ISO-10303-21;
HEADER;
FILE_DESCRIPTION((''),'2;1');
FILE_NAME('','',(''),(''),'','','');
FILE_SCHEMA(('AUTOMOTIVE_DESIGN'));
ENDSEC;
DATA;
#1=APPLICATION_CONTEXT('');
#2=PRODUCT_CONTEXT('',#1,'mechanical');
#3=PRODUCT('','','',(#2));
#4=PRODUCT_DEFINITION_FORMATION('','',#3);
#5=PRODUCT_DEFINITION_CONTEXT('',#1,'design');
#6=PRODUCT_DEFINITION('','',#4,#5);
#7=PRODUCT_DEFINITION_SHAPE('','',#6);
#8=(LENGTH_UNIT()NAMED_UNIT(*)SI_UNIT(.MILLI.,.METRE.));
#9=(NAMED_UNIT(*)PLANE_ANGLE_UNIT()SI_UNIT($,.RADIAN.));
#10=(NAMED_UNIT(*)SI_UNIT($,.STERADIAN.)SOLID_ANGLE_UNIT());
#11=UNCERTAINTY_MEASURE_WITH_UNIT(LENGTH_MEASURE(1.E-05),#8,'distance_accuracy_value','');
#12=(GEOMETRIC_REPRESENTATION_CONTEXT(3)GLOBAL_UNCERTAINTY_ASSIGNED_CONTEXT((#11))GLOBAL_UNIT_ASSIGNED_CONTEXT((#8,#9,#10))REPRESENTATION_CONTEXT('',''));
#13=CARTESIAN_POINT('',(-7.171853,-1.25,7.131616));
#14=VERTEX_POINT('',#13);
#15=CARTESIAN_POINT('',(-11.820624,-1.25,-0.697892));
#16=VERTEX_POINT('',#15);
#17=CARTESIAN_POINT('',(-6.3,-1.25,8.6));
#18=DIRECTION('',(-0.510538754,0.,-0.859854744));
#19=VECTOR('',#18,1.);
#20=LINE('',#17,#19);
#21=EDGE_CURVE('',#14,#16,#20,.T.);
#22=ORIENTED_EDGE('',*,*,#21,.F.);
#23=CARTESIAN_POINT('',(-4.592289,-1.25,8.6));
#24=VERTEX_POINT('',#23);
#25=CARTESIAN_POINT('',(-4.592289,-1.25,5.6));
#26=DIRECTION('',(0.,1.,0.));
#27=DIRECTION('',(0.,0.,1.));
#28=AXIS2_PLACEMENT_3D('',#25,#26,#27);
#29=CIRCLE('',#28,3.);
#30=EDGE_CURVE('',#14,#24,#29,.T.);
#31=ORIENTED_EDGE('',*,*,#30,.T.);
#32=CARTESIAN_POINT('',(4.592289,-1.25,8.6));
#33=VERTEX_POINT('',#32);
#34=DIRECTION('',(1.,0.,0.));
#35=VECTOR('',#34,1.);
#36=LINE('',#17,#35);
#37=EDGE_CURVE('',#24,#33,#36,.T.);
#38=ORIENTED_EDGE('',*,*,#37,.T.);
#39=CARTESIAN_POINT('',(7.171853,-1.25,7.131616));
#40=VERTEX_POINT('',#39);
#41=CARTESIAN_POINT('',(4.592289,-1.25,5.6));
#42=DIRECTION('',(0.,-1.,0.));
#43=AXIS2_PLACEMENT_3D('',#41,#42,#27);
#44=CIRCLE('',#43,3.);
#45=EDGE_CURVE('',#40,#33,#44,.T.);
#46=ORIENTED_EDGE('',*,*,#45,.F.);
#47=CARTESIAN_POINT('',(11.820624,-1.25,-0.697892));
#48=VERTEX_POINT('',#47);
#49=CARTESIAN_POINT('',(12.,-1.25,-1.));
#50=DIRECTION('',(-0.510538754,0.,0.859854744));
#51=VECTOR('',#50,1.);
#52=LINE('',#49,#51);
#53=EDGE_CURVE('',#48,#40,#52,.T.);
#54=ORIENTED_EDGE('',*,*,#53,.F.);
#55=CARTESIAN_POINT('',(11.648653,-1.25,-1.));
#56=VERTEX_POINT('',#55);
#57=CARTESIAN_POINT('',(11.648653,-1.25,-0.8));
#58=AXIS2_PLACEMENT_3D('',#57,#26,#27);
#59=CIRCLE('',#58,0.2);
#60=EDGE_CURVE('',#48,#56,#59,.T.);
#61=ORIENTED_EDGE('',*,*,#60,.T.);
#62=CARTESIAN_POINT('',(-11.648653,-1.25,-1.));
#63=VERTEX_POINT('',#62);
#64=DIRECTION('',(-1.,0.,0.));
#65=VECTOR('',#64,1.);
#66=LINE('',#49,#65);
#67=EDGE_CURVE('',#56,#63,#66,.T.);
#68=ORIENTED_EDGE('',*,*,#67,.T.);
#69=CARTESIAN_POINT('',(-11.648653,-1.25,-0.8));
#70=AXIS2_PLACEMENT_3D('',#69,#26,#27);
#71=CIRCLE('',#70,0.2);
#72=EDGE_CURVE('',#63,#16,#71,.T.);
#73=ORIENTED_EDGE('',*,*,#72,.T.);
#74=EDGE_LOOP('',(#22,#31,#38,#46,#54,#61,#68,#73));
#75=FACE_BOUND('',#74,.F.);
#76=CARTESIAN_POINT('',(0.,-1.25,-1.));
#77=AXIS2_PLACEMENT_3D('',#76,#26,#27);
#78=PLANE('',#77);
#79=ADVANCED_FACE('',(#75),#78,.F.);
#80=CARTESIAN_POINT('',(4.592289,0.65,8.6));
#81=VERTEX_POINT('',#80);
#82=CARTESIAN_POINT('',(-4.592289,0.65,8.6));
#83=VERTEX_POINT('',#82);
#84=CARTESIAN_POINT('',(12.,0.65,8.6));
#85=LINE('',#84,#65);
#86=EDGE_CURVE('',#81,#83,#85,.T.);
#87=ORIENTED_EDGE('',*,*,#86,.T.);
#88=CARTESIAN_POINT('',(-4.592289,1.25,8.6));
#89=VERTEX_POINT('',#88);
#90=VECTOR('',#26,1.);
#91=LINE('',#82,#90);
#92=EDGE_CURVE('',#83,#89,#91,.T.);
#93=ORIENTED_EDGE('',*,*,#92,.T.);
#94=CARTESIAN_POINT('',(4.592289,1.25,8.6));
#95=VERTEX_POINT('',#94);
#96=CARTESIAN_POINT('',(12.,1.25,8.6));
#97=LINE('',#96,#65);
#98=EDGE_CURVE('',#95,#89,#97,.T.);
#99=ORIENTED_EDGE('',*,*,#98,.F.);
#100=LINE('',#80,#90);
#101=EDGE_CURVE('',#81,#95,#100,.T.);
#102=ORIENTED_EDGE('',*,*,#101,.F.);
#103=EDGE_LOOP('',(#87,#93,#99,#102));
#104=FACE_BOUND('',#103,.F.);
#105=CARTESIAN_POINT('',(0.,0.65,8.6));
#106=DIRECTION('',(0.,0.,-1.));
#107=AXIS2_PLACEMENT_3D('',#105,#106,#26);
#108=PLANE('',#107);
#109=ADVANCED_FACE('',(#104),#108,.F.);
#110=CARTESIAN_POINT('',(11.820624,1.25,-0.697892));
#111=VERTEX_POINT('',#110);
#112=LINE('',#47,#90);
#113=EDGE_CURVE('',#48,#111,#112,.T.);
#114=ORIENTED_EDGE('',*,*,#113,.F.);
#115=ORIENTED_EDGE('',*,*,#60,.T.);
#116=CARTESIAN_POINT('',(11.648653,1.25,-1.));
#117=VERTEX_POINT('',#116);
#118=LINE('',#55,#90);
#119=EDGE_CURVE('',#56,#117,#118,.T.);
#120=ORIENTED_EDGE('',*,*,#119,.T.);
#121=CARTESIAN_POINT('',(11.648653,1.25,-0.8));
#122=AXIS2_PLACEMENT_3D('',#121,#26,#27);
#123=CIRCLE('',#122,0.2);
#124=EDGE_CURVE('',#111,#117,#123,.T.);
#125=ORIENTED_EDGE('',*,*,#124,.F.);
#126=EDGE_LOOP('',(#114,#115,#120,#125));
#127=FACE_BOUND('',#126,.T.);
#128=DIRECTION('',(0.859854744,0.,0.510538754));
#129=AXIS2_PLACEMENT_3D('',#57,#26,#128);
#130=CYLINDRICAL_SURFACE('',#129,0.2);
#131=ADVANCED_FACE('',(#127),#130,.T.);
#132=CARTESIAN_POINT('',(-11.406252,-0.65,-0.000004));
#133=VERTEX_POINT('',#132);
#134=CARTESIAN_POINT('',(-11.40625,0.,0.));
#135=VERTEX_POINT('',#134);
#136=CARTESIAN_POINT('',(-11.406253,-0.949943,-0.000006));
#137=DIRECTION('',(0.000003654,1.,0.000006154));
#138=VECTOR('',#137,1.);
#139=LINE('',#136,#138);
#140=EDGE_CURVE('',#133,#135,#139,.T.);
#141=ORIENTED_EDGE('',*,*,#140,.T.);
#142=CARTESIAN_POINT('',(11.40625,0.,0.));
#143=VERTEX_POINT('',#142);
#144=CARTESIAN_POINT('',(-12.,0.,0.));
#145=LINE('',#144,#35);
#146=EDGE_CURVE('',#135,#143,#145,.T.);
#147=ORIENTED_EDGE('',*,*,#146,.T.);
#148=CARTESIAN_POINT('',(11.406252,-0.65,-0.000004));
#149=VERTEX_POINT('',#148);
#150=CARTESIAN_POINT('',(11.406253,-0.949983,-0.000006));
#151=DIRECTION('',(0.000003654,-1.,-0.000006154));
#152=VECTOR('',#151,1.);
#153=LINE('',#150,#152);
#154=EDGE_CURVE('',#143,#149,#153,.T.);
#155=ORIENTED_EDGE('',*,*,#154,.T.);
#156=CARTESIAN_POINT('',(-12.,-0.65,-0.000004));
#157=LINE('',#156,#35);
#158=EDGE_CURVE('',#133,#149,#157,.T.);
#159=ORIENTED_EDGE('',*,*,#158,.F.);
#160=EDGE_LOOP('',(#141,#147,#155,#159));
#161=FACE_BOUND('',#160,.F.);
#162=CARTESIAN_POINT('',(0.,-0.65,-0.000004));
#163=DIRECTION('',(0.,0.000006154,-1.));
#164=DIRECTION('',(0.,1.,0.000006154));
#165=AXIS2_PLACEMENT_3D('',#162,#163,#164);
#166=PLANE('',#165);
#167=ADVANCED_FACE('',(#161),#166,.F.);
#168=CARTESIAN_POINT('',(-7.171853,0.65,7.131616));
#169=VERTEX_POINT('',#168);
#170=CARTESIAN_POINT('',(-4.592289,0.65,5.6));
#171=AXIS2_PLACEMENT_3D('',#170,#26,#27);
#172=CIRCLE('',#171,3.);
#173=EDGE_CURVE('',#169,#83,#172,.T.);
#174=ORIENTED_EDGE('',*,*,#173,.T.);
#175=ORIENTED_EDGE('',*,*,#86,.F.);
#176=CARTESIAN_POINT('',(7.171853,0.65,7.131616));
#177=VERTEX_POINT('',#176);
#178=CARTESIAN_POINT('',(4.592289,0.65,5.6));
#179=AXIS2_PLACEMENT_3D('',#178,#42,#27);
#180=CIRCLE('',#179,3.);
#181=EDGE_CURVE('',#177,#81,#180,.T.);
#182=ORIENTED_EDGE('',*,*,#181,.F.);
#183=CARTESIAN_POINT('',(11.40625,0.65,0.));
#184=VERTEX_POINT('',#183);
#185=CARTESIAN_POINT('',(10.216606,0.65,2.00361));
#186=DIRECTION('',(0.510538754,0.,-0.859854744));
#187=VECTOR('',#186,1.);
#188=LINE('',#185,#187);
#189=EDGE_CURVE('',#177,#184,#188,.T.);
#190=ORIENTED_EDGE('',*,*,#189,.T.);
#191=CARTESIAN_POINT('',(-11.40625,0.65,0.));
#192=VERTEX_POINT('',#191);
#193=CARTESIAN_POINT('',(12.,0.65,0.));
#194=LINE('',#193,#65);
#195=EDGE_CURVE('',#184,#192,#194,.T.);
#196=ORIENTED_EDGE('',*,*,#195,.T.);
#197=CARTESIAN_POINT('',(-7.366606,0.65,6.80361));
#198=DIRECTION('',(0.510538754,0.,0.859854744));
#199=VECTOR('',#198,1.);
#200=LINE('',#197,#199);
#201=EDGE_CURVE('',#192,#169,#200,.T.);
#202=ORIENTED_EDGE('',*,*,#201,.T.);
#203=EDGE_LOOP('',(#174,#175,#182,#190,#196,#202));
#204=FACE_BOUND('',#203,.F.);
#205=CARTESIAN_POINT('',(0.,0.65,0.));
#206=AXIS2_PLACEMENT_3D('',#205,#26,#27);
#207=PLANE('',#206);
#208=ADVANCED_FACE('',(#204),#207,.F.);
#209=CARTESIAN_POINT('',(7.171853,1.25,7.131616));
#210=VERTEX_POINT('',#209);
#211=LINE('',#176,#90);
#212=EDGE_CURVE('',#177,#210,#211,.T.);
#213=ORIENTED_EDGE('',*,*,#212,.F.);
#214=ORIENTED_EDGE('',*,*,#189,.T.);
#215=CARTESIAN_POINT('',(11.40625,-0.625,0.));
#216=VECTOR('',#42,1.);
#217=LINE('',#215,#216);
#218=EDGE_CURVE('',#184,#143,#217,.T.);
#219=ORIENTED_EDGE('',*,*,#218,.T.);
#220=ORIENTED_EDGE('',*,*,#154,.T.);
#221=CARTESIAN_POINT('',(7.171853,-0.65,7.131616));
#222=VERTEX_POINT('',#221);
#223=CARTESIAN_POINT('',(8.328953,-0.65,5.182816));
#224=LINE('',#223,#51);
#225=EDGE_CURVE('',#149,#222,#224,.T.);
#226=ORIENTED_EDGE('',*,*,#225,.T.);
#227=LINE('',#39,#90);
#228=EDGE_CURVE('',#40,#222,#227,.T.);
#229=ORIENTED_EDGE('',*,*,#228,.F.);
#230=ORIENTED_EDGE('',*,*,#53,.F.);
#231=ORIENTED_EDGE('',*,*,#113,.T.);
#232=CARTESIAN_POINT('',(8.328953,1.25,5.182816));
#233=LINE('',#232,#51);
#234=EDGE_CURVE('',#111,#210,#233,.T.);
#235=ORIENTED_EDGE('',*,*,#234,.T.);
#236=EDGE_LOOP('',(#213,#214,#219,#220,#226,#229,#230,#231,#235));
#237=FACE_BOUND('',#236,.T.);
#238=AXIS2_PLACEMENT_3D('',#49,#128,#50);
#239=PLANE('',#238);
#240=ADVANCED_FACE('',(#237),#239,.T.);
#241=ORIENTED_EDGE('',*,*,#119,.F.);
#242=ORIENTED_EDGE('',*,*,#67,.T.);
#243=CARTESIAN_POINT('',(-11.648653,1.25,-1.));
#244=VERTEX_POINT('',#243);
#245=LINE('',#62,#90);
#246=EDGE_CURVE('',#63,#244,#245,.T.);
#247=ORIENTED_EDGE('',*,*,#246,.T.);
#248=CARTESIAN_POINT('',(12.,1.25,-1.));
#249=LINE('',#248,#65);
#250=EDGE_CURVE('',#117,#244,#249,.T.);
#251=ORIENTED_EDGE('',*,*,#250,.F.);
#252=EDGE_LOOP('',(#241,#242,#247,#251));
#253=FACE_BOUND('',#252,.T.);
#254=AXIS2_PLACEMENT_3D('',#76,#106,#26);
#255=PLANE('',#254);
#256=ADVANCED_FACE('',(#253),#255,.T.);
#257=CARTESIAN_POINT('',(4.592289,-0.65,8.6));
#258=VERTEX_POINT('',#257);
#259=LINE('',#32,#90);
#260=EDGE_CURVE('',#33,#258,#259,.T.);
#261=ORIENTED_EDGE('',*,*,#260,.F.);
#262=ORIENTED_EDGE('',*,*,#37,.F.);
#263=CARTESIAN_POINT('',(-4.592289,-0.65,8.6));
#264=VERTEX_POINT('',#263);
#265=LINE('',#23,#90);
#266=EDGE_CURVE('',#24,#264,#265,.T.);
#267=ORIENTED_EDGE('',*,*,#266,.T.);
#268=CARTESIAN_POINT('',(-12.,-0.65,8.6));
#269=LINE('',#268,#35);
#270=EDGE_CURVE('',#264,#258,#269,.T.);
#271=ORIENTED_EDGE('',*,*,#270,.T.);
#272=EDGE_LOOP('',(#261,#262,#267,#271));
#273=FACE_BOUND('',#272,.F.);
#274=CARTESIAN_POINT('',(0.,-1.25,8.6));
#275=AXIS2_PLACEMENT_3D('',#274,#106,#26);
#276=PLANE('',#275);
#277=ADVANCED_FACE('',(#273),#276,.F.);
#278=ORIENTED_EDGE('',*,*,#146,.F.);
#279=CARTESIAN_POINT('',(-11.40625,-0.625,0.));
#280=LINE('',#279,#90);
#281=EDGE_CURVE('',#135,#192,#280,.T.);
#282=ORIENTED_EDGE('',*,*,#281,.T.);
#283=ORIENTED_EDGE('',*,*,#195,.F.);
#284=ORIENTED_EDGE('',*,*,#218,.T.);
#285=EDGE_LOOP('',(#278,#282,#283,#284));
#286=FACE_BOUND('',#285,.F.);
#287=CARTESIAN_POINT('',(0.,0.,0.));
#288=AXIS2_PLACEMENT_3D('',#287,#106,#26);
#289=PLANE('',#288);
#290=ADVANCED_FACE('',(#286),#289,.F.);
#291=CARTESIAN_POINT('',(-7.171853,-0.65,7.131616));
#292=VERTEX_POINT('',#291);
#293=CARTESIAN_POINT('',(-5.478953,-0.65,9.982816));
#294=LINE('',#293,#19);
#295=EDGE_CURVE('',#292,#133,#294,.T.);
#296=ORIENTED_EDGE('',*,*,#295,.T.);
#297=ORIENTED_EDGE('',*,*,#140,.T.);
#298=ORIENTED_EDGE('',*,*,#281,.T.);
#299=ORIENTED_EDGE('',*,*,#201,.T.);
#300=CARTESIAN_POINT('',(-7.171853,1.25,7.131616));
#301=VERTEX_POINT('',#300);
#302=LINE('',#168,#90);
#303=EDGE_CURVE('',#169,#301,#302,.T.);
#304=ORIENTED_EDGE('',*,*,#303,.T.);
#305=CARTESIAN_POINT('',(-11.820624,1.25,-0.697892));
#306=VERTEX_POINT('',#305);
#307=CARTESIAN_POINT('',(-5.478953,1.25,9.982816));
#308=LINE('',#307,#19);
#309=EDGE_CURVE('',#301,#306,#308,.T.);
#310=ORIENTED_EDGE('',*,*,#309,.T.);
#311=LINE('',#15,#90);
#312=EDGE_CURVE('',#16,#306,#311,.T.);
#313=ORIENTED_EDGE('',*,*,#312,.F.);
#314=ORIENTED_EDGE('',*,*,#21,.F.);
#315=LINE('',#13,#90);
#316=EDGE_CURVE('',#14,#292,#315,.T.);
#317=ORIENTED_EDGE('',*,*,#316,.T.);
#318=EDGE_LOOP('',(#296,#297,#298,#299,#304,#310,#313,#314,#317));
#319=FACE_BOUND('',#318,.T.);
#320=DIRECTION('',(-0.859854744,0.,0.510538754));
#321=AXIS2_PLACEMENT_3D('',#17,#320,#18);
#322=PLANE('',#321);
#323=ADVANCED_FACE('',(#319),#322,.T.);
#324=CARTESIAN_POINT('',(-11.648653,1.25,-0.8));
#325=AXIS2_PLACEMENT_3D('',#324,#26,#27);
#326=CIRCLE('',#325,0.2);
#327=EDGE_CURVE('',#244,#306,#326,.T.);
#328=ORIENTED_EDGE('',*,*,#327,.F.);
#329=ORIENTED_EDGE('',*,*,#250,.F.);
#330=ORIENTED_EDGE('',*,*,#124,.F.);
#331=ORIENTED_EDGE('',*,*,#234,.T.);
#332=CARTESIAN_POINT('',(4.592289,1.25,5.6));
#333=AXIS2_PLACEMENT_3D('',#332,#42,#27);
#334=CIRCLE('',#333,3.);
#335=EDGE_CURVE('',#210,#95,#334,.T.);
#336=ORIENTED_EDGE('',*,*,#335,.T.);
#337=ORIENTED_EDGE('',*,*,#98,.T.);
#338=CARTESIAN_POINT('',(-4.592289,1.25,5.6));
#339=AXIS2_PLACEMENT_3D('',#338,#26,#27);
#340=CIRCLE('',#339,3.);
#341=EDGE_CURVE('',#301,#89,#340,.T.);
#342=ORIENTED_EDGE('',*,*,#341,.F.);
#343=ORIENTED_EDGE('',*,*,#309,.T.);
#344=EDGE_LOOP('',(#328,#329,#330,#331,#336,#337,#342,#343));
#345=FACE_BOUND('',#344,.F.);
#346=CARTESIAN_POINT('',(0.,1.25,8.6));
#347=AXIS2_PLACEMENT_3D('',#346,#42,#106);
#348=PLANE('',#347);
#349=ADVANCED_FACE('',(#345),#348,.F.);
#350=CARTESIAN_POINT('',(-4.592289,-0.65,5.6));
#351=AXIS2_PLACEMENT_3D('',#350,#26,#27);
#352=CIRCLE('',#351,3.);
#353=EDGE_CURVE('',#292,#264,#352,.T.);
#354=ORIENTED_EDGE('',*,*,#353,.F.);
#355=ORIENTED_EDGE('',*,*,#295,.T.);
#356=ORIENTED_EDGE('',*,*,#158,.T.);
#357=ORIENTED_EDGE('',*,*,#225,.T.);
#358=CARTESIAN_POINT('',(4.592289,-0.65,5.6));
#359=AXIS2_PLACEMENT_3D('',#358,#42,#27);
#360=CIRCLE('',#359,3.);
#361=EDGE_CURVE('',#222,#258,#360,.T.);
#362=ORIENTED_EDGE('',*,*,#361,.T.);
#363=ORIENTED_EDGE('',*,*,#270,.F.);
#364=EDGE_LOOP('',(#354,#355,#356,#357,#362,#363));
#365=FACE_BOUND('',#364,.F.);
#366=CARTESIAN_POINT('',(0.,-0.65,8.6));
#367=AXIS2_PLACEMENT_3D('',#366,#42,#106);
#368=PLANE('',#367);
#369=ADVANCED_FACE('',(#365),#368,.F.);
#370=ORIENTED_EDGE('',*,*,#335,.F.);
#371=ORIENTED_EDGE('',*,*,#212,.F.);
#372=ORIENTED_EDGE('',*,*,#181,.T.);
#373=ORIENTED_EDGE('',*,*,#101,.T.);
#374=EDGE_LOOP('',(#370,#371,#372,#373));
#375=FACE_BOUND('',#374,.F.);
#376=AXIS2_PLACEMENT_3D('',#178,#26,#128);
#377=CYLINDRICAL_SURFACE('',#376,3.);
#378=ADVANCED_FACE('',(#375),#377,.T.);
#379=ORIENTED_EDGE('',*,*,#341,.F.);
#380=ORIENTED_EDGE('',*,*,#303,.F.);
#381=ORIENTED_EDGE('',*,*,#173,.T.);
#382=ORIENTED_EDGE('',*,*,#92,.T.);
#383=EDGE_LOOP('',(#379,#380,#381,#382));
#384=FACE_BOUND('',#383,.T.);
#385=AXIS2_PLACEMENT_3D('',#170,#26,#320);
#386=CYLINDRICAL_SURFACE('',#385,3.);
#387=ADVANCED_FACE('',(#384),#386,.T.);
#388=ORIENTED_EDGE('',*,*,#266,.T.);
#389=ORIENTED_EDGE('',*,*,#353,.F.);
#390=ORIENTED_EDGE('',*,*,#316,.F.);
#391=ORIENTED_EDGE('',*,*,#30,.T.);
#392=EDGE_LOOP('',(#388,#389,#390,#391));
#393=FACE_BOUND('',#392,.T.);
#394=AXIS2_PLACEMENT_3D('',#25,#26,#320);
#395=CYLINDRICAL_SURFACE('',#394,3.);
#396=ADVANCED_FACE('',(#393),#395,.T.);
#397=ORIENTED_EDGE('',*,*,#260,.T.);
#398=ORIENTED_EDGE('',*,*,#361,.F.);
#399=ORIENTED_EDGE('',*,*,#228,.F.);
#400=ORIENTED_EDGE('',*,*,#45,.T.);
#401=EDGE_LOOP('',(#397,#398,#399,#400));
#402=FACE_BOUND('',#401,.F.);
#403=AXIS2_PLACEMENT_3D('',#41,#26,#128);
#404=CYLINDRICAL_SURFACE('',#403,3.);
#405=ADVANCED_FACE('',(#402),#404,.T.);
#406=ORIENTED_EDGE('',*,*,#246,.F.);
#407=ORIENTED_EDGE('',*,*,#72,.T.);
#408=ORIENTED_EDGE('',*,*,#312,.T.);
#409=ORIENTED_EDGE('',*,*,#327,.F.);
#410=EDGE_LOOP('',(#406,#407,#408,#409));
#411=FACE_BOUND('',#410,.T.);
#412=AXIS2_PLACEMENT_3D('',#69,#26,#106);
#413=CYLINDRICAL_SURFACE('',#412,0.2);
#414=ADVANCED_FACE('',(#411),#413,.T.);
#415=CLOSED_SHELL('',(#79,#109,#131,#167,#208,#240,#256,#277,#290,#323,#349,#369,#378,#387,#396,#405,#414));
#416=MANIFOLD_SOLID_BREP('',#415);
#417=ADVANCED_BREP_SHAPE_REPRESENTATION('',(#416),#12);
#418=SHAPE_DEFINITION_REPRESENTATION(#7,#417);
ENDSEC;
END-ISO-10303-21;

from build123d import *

# Parameters (mm, degrees)
PAD_DEPTH      = 12
PAD_DEPTH_BACK = 12
POCKET_DEPTH   = 2.501
FILLET_R       = 3
FILLET001_R    = 0.2


with BuildPart() as part:
    # Sketch → Pad (new body, two sides)
    with BuildSketch(Plane.YZ) as pad_sk:
        Polygon((0, 0), (0.65, 0), (0.65, 8.6), (1.25, 8.6), (1.25, -1), (0, -1), (-1.25, -1), (-1.25, 8.6), (-0.65, 8.6), (-0.65, -4e-06), align=None)
    extrude(amount=PAD_DEPTH)
    extrude(pad_sk.sketch, amount=-PAD_DEPTH_BACK)

    # Sketch001 (on Face7 of Pad) → Pocket (cut, through all)
    with BuildSketch(Plane(origin=(0, -1.25, 0), x_dir=(0, 0, -1), z_dir=(0, -1, 0))):
        Polygon((1, 12), (-8.6, 6.3), (-8.6, 0), (-8.6, -6.3), (1, -12), (1, -14), (-11, -14), (-11, 0), (-11, 14), (1, 14), align=None)
    extrude(amount=-POCKET_DEPTH, mode=Mode.SUBTRACT)

    # Fillet
    fillet_edges = [part.edges().sort_by_distance(p)[0] for p in [
        (6.3, -0.95, 8.6),
        (6.3, 0.95, 8.6),
        (-6.3, 0.95, 8.6),
        (-6.3, -0.95, 8.6),
    ]]
    fillet(fillet_edges, radius=FILLET_R)

    # Fillet001
    fillet001_edges = [part.edges().sort_by_distance(p)[0] for p in [
        (12, -0.625, -1),
        (12, 0.625, -1),
        (-12, 0.625, -1),
        (-12, -0.625, -1),
    ]]
    fillet(fillet001_edges, radius=FILLET001_R)


solid = part.part
